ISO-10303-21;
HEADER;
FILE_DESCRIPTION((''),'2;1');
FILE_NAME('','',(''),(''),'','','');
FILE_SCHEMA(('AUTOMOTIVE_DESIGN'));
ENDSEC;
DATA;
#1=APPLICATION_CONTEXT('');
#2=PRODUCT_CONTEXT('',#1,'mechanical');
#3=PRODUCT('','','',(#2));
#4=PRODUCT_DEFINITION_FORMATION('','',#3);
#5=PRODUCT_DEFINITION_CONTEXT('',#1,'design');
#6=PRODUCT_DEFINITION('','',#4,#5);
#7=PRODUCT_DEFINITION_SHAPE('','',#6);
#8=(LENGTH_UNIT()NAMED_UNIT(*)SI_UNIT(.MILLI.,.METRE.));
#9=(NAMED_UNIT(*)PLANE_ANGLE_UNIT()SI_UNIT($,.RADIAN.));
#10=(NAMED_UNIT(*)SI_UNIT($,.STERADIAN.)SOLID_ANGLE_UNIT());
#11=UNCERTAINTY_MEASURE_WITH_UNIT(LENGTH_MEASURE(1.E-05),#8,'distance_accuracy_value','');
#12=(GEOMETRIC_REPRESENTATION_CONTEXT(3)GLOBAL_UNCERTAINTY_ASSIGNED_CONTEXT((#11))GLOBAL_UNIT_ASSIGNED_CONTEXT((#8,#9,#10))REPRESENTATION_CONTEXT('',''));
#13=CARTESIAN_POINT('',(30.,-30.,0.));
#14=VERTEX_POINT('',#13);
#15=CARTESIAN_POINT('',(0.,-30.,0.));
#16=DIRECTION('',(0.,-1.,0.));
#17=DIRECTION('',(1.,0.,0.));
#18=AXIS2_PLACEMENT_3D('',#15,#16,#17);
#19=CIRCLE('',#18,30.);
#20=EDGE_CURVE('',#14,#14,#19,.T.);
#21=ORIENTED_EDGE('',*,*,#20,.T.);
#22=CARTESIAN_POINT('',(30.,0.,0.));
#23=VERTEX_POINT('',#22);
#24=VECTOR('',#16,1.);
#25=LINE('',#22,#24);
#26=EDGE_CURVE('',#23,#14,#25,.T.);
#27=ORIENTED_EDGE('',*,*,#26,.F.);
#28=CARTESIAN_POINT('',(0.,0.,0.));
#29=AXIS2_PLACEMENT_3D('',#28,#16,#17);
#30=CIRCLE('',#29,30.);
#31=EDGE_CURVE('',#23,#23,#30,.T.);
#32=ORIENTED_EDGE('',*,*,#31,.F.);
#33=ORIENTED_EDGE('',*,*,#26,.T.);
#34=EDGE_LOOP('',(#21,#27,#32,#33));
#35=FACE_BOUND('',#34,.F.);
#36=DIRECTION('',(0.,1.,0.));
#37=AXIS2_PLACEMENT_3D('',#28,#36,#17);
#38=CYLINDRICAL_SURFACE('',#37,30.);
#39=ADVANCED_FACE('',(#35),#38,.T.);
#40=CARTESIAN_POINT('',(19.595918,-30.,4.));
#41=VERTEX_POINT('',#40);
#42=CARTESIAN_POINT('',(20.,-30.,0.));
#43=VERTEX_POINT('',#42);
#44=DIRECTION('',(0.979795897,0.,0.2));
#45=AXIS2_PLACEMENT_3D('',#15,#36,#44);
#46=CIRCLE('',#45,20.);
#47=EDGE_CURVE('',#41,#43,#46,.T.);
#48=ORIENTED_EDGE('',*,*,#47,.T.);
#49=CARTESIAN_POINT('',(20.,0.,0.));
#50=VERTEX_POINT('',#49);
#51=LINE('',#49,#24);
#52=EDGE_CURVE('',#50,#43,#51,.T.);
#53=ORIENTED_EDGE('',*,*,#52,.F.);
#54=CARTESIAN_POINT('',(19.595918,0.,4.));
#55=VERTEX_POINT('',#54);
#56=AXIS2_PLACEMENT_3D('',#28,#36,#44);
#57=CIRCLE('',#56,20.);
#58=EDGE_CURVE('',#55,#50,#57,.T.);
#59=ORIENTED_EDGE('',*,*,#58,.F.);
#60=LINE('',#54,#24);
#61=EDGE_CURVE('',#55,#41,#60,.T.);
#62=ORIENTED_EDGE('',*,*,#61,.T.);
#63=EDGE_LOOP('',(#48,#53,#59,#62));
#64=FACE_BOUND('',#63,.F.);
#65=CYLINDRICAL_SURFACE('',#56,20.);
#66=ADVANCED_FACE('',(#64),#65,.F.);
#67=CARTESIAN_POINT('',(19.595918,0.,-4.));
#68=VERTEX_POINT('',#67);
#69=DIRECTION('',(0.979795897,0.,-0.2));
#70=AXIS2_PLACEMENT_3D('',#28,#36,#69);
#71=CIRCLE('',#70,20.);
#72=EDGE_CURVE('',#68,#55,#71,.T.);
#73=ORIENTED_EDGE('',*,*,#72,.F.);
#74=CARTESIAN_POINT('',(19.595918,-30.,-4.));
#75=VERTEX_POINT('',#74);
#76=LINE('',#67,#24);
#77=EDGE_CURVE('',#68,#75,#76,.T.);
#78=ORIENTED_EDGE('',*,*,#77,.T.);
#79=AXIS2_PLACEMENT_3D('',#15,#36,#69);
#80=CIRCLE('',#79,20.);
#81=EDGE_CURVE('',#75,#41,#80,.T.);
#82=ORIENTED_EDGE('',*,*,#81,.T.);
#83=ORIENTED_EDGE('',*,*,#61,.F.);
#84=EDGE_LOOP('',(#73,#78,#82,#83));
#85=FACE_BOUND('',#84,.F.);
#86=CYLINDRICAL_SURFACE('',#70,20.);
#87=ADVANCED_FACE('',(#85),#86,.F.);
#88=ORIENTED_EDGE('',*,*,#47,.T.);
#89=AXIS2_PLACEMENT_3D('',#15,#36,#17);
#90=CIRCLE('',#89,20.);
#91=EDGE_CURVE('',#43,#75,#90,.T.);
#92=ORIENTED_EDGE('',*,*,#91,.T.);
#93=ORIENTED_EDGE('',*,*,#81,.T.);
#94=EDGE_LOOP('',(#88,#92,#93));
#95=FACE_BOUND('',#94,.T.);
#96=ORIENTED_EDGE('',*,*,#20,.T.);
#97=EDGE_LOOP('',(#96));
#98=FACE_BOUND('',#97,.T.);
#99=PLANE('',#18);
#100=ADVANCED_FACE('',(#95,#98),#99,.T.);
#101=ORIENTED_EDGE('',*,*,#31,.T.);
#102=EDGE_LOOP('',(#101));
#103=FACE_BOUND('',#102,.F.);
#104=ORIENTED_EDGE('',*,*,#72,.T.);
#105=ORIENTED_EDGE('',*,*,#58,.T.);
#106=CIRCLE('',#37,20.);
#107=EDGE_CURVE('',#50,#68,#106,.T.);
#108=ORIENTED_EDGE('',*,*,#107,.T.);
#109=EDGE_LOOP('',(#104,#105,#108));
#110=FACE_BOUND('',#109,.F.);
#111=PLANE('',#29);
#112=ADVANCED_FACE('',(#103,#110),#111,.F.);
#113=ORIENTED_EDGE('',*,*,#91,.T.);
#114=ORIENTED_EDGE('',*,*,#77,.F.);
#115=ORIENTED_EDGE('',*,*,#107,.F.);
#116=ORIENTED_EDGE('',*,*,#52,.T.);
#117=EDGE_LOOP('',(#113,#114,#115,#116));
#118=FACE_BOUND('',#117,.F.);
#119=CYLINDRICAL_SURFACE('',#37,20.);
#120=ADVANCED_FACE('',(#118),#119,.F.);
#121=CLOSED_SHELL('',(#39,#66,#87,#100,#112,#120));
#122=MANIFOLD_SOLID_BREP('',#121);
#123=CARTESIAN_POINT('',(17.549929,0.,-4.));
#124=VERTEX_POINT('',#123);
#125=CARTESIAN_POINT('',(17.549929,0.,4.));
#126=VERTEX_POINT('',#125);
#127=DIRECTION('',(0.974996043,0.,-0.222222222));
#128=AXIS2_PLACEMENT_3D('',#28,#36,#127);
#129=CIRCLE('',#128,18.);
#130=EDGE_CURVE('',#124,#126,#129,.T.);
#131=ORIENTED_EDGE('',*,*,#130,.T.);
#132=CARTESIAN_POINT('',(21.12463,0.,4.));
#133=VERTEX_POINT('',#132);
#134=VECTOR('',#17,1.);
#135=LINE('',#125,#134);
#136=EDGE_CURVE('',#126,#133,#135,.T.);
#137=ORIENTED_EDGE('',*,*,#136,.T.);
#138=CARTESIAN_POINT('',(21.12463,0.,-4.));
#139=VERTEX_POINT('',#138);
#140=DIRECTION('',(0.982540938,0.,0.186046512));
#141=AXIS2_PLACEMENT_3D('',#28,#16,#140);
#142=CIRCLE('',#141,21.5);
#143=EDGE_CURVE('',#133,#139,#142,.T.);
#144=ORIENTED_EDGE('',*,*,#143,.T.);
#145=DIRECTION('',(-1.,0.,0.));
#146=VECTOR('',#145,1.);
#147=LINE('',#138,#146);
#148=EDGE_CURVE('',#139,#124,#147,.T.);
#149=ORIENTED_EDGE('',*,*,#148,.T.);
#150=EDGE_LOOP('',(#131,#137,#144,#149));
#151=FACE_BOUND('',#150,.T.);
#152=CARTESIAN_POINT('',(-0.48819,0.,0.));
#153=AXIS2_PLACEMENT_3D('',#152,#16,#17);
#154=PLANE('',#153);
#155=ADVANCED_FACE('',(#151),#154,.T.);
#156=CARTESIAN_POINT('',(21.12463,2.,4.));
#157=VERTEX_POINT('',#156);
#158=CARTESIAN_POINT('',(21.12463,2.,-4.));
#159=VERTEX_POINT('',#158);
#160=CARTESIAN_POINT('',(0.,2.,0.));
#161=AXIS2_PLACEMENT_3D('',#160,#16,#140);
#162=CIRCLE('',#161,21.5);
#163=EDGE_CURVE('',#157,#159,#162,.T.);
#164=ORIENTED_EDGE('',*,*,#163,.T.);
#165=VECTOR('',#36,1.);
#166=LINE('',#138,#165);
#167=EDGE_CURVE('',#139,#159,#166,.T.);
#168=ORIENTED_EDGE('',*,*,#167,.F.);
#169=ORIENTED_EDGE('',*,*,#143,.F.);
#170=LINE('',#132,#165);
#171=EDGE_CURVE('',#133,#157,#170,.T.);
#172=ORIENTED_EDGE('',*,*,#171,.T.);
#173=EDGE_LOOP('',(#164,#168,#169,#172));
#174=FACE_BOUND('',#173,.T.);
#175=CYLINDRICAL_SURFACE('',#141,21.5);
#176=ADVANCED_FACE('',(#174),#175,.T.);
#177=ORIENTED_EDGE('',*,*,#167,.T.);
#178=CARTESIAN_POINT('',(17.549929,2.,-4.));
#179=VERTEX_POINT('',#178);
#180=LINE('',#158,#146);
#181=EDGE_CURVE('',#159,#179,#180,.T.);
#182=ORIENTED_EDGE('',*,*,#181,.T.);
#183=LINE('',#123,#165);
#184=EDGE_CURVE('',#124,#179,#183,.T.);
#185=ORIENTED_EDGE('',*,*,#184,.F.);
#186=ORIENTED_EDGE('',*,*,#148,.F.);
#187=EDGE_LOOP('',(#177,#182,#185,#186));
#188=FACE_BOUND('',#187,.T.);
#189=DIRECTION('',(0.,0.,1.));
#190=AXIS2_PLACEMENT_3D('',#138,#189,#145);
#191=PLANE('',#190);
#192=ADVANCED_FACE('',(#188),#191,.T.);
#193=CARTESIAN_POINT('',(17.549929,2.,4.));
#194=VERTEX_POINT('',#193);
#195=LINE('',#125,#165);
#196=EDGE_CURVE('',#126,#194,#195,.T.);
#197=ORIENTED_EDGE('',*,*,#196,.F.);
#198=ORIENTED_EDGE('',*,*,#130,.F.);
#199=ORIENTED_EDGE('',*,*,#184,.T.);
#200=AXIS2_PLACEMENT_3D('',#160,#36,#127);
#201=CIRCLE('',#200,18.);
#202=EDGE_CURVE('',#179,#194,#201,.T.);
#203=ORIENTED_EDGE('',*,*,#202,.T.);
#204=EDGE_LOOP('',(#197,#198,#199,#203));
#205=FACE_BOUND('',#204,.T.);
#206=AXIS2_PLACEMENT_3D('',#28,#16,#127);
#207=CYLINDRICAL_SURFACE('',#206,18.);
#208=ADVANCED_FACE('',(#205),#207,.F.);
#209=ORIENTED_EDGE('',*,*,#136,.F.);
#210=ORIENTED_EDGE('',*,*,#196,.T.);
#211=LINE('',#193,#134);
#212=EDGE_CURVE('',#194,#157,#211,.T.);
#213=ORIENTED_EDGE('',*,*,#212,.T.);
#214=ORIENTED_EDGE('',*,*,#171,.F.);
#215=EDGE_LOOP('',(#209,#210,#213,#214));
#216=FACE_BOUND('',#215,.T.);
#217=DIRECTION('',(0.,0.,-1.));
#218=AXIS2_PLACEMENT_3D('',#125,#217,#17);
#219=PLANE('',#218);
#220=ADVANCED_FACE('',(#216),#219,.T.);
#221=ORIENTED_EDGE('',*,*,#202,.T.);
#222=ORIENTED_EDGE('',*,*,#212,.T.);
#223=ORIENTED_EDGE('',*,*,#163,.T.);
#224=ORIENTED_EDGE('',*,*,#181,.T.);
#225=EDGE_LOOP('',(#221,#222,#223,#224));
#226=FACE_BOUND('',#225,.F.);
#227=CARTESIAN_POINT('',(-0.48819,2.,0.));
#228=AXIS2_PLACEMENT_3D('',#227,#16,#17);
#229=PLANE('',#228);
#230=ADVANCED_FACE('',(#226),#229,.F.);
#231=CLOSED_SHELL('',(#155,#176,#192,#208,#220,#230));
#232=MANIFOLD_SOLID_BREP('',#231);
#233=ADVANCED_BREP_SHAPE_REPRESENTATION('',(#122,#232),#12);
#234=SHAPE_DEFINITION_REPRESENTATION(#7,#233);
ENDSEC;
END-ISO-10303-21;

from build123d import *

# Parameters (mm, degrees)
F0_R     = 30
F1_DEPTH = 30
F2_DEPTH = 2


with BuildPart() as f1:
    # F0 (on Front) → F1 (new body)
    with BuildSketch(Plane.XZ):
        Circle(F0_R)
        with BuildLine():
            ThreePointArc((21.1246301743, -4), (-21.5, 0), (21.1246301743, 4))
            ThreePointArc((21.1246301743, 4), (21.4059518446, 2.0087871033), (21.5, 0))
            ThreePointArc((21.5, 0), (21.4059518446, -2.0087871033), (21.1246301743, -4))
        make_face(mode=Mode.SUBTRACT)
        with BuildLine():
            ThreePointArc((19.5959179423, -4), (-20, 0), (19.5959179423, 4))
            Line((19.5959179423, 4), (21.1246301743, 4))
            ThreePointArc((21.1246301743, 4), (-21.5, 0), (21.1246301743, -4))
            Line((21.1246301743, -4), (19.5959179423, -4))
        make_face()
        with BuildLine():
            ThreePointArc((19.5959179423, 4), (19.8987230601, 2.0101792401), (20, 0))
            ThreePointArc((20, 0), (19.8987230601, -2.0101792401), (19.5959179423, -4))
            Line((19.5959179423, -4), (21.1246301743, -4))
            ThreePointArc((21.1246301743, -4), (21.4059518446, -2.0087871033), (21.5, 0))
            ThreePointArc((21.5, 0), (21.4059518446, 2.0087871033), (21.1246301743, 4))
            Line((21.1246301743, 4), (19.5959179423, 4))
        make_face()
    extrude(amount=F1_DEPTH)


with BuildPart() as f2:
    # F0 (on Front) → F2 (new body)
    with BuildSketch(Plane.XZ):
        with BuildLine():
            Line((17.5499287748, 4), (19.5959179423, 4))
            ThreePointArc((19.5959179423, 4), (-20, 0), (19.5959179423, -4))
            Line((19.5959179423, -4), (17.5499287748, -4))
            ThreePointArc((17.5499287748, -4), (-18, 0), (17.5499287748, 4))
        make_face()
        with BuildLine():
            ThreePointArc((19.5959179423, -4), (-20, 0), (19.5959179423, 4))
            Line((19.5959179423, 4), (21.1246301743, 4))
            ThreePointArc((21.1246301743, 4), (-21.5, 0), (21.1246301743, -4))
            Line((21.1246301743, -4), (19.5959179423, -4))
        make_face()
    extrude(amount=-F2_DEPTH)


solid = Compound([f1.part, f2.part])
